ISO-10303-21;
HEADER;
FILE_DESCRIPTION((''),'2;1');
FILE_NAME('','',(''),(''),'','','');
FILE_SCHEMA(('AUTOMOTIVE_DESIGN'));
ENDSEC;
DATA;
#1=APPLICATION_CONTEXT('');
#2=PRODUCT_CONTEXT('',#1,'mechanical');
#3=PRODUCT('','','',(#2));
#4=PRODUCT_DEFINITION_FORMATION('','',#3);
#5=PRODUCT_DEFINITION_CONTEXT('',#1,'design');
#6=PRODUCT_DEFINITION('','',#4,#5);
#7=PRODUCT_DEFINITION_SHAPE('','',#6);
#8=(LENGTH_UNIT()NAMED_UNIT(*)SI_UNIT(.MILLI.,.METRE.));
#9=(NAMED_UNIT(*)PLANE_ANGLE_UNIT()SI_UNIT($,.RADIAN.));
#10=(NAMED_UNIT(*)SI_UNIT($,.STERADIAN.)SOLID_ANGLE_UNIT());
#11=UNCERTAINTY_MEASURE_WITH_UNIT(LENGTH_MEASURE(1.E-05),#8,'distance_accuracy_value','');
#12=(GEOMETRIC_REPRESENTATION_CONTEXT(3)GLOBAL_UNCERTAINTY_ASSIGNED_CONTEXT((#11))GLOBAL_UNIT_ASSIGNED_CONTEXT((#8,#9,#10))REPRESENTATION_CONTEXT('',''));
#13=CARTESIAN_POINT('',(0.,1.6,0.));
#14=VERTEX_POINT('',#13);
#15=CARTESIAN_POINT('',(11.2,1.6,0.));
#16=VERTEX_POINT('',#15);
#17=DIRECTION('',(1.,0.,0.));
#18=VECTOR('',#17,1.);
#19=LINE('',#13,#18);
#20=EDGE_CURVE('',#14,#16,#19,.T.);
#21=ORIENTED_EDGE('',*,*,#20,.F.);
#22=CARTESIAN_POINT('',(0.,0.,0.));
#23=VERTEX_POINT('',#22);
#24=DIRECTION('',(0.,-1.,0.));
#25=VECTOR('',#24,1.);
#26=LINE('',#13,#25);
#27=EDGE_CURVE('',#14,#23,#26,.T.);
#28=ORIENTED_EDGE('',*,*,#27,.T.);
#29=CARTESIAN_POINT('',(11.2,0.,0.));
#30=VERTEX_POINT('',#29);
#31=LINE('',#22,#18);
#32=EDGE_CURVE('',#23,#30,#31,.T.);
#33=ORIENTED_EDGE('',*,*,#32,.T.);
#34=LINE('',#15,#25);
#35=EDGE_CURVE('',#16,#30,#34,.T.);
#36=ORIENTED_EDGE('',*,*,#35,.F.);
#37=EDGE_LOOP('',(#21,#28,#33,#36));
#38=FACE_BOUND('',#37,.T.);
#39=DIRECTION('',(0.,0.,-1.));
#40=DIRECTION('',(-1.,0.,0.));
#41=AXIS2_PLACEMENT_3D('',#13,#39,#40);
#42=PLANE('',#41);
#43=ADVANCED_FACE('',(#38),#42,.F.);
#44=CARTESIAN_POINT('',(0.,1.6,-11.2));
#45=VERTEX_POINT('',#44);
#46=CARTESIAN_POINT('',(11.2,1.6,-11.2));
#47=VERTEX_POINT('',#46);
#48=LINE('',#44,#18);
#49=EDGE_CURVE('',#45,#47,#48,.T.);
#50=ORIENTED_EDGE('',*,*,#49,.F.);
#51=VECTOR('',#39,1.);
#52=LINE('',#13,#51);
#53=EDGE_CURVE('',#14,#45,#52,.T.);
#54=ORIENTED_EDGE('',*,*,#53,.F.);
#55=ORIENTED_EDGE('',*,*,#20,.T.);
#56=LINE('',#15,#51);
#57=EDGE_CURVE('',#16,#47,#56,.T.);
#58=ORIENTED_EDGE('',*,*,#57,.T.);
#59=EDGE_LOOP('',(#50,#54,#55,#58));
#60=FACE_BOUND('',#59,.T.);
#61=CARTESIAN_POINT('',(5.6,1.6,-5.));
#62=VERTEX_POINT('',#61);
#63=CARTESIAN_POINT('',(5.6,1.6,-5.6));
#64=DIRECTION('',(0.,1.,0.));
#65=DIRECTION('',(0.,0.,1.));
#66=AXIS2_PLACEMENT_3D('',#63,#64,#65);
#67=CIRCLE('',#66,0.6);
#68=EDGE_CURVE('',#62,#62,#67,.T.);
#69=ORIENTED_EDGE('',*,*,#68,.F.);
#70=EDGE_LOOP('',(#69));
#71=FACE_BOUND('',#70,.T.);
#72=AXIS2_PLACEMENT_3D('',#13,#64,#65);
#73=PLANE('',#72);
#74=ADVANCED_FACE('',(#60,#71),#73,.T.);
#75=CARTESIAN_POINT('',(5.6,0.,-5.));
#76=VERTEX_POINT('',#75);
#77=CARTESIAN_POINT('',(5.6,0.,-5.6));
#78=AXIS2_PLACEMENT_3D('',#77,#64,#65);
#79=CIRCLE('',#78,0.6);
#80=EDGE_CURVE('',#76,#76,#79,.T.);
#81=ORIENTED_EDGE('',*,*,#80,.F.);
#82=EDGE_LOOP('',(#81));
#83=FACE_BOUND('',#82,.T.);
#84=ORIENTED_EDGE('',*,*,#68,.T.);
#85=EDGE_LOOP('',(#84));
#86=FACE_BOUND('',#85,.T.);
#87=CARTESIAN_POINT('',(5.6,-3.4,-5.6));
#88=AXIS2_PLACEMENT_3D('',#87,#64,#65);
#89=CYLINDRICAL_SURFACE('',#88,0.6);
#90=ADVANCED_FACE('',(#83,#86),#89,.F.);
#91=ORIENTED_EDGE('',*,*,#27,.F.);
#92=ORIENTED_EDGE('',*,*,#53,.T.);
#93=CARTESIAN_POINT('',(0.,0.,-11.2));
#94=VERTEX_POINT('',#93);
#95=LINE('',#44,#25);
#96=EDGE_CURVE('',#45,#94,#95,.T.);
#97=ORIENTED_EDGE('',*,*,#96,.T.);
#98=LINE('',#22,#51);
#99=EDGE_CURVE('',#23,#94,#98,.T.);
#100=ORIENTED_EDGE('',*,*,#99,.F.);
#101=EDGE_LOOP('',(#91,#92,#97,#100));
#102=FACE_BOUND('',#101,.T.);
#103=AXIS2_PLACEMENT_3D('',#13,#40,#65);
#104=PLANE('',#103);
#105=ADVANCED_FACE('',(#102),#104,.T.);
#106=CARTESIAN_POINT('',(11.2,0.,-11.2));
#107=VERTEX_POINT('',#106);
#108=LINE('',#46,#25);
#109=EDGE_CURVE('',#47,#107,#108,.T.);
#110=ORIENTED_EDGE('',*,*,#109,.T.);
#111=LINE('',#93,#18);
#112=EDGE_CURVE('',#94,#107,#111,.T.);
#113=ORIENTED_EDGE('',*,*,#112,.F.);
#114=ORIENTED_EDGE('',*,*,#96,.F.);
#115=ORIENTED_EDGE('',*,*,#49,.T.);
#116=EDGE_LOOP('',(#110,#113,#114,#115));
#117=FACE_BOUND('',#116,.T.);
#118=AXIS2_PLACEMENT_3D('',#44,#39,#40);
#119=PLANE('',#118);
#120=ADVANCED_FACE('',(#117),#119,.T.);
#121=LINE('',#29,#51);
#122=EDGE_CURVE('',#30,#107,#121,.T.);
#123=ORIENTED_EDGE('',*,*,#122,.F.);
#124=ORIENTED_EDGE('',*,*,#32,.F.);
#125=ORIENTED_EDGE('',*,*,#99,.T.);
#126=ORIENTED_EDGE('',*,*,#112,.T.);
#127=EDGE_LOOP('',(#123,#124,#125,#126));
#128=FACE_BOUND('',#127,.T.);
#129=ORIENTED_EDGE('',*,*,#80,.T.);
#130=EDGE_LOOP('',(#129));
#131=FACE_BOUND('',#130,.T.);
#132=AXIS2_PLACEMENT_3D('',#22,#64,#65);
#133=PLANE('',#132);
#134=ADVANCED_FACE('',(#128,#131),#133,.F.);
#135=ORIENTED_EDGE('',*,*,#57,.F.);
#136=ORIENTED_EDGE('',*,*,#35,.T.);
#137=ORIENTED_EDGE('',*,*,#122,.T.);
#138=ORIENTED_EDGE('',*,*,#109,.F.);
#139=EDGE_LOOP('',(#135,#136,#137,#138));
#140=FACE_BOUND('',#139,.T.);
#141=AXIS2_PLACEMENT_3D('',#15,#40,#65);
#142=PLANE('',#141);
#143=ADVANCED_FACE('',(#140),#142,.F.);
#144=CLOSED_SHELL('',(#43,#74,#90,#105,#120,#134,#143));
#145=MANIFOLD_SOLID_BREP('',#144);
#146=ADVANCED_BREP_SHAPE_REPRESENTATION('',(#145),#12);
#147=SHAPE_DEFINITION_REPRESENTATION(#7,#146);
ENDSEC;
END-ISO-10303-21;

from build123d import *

# Parameters (mm, degrees)
SKETCH1_W           = 11.2
SKETCH1_H           = 11.2
BOSS_EXTRUDE1_DEPTH = 1.6
SKETCH2_R           = 0.6
CUT_EXTRUDE1_DEPTH  = 5


with BuildPart() as part:
    # Sketch1 → Boss-Extrude1 (new body)
    with BuildSketch(Plane(origin=(0, 0, 0), x_dir=(1, 0, 0), z_dir=(0, 1, 0))):
        with Locations((5.6, 5.6)):
            Rectangle(SKETCH1_W, SKETCH1_H)
    extrude(amount=BOSS_EXTRUDE1_DEPTH)

    # Sketch2 → Cut-Extrude1 (cut)
    with BuildSketch(Plane(origin=(0, 1.6, 0), x_dir=(1, 0, 0), z_dir=(0, 1, 0))):
        with Locations((5.6, 5.6)):
            Circle(SKETCH2_R)
    extrude(amount=-CUT_EXTRUDE1_DEPTH, mode=Mode.SUBTRACT)


solid = part.part
